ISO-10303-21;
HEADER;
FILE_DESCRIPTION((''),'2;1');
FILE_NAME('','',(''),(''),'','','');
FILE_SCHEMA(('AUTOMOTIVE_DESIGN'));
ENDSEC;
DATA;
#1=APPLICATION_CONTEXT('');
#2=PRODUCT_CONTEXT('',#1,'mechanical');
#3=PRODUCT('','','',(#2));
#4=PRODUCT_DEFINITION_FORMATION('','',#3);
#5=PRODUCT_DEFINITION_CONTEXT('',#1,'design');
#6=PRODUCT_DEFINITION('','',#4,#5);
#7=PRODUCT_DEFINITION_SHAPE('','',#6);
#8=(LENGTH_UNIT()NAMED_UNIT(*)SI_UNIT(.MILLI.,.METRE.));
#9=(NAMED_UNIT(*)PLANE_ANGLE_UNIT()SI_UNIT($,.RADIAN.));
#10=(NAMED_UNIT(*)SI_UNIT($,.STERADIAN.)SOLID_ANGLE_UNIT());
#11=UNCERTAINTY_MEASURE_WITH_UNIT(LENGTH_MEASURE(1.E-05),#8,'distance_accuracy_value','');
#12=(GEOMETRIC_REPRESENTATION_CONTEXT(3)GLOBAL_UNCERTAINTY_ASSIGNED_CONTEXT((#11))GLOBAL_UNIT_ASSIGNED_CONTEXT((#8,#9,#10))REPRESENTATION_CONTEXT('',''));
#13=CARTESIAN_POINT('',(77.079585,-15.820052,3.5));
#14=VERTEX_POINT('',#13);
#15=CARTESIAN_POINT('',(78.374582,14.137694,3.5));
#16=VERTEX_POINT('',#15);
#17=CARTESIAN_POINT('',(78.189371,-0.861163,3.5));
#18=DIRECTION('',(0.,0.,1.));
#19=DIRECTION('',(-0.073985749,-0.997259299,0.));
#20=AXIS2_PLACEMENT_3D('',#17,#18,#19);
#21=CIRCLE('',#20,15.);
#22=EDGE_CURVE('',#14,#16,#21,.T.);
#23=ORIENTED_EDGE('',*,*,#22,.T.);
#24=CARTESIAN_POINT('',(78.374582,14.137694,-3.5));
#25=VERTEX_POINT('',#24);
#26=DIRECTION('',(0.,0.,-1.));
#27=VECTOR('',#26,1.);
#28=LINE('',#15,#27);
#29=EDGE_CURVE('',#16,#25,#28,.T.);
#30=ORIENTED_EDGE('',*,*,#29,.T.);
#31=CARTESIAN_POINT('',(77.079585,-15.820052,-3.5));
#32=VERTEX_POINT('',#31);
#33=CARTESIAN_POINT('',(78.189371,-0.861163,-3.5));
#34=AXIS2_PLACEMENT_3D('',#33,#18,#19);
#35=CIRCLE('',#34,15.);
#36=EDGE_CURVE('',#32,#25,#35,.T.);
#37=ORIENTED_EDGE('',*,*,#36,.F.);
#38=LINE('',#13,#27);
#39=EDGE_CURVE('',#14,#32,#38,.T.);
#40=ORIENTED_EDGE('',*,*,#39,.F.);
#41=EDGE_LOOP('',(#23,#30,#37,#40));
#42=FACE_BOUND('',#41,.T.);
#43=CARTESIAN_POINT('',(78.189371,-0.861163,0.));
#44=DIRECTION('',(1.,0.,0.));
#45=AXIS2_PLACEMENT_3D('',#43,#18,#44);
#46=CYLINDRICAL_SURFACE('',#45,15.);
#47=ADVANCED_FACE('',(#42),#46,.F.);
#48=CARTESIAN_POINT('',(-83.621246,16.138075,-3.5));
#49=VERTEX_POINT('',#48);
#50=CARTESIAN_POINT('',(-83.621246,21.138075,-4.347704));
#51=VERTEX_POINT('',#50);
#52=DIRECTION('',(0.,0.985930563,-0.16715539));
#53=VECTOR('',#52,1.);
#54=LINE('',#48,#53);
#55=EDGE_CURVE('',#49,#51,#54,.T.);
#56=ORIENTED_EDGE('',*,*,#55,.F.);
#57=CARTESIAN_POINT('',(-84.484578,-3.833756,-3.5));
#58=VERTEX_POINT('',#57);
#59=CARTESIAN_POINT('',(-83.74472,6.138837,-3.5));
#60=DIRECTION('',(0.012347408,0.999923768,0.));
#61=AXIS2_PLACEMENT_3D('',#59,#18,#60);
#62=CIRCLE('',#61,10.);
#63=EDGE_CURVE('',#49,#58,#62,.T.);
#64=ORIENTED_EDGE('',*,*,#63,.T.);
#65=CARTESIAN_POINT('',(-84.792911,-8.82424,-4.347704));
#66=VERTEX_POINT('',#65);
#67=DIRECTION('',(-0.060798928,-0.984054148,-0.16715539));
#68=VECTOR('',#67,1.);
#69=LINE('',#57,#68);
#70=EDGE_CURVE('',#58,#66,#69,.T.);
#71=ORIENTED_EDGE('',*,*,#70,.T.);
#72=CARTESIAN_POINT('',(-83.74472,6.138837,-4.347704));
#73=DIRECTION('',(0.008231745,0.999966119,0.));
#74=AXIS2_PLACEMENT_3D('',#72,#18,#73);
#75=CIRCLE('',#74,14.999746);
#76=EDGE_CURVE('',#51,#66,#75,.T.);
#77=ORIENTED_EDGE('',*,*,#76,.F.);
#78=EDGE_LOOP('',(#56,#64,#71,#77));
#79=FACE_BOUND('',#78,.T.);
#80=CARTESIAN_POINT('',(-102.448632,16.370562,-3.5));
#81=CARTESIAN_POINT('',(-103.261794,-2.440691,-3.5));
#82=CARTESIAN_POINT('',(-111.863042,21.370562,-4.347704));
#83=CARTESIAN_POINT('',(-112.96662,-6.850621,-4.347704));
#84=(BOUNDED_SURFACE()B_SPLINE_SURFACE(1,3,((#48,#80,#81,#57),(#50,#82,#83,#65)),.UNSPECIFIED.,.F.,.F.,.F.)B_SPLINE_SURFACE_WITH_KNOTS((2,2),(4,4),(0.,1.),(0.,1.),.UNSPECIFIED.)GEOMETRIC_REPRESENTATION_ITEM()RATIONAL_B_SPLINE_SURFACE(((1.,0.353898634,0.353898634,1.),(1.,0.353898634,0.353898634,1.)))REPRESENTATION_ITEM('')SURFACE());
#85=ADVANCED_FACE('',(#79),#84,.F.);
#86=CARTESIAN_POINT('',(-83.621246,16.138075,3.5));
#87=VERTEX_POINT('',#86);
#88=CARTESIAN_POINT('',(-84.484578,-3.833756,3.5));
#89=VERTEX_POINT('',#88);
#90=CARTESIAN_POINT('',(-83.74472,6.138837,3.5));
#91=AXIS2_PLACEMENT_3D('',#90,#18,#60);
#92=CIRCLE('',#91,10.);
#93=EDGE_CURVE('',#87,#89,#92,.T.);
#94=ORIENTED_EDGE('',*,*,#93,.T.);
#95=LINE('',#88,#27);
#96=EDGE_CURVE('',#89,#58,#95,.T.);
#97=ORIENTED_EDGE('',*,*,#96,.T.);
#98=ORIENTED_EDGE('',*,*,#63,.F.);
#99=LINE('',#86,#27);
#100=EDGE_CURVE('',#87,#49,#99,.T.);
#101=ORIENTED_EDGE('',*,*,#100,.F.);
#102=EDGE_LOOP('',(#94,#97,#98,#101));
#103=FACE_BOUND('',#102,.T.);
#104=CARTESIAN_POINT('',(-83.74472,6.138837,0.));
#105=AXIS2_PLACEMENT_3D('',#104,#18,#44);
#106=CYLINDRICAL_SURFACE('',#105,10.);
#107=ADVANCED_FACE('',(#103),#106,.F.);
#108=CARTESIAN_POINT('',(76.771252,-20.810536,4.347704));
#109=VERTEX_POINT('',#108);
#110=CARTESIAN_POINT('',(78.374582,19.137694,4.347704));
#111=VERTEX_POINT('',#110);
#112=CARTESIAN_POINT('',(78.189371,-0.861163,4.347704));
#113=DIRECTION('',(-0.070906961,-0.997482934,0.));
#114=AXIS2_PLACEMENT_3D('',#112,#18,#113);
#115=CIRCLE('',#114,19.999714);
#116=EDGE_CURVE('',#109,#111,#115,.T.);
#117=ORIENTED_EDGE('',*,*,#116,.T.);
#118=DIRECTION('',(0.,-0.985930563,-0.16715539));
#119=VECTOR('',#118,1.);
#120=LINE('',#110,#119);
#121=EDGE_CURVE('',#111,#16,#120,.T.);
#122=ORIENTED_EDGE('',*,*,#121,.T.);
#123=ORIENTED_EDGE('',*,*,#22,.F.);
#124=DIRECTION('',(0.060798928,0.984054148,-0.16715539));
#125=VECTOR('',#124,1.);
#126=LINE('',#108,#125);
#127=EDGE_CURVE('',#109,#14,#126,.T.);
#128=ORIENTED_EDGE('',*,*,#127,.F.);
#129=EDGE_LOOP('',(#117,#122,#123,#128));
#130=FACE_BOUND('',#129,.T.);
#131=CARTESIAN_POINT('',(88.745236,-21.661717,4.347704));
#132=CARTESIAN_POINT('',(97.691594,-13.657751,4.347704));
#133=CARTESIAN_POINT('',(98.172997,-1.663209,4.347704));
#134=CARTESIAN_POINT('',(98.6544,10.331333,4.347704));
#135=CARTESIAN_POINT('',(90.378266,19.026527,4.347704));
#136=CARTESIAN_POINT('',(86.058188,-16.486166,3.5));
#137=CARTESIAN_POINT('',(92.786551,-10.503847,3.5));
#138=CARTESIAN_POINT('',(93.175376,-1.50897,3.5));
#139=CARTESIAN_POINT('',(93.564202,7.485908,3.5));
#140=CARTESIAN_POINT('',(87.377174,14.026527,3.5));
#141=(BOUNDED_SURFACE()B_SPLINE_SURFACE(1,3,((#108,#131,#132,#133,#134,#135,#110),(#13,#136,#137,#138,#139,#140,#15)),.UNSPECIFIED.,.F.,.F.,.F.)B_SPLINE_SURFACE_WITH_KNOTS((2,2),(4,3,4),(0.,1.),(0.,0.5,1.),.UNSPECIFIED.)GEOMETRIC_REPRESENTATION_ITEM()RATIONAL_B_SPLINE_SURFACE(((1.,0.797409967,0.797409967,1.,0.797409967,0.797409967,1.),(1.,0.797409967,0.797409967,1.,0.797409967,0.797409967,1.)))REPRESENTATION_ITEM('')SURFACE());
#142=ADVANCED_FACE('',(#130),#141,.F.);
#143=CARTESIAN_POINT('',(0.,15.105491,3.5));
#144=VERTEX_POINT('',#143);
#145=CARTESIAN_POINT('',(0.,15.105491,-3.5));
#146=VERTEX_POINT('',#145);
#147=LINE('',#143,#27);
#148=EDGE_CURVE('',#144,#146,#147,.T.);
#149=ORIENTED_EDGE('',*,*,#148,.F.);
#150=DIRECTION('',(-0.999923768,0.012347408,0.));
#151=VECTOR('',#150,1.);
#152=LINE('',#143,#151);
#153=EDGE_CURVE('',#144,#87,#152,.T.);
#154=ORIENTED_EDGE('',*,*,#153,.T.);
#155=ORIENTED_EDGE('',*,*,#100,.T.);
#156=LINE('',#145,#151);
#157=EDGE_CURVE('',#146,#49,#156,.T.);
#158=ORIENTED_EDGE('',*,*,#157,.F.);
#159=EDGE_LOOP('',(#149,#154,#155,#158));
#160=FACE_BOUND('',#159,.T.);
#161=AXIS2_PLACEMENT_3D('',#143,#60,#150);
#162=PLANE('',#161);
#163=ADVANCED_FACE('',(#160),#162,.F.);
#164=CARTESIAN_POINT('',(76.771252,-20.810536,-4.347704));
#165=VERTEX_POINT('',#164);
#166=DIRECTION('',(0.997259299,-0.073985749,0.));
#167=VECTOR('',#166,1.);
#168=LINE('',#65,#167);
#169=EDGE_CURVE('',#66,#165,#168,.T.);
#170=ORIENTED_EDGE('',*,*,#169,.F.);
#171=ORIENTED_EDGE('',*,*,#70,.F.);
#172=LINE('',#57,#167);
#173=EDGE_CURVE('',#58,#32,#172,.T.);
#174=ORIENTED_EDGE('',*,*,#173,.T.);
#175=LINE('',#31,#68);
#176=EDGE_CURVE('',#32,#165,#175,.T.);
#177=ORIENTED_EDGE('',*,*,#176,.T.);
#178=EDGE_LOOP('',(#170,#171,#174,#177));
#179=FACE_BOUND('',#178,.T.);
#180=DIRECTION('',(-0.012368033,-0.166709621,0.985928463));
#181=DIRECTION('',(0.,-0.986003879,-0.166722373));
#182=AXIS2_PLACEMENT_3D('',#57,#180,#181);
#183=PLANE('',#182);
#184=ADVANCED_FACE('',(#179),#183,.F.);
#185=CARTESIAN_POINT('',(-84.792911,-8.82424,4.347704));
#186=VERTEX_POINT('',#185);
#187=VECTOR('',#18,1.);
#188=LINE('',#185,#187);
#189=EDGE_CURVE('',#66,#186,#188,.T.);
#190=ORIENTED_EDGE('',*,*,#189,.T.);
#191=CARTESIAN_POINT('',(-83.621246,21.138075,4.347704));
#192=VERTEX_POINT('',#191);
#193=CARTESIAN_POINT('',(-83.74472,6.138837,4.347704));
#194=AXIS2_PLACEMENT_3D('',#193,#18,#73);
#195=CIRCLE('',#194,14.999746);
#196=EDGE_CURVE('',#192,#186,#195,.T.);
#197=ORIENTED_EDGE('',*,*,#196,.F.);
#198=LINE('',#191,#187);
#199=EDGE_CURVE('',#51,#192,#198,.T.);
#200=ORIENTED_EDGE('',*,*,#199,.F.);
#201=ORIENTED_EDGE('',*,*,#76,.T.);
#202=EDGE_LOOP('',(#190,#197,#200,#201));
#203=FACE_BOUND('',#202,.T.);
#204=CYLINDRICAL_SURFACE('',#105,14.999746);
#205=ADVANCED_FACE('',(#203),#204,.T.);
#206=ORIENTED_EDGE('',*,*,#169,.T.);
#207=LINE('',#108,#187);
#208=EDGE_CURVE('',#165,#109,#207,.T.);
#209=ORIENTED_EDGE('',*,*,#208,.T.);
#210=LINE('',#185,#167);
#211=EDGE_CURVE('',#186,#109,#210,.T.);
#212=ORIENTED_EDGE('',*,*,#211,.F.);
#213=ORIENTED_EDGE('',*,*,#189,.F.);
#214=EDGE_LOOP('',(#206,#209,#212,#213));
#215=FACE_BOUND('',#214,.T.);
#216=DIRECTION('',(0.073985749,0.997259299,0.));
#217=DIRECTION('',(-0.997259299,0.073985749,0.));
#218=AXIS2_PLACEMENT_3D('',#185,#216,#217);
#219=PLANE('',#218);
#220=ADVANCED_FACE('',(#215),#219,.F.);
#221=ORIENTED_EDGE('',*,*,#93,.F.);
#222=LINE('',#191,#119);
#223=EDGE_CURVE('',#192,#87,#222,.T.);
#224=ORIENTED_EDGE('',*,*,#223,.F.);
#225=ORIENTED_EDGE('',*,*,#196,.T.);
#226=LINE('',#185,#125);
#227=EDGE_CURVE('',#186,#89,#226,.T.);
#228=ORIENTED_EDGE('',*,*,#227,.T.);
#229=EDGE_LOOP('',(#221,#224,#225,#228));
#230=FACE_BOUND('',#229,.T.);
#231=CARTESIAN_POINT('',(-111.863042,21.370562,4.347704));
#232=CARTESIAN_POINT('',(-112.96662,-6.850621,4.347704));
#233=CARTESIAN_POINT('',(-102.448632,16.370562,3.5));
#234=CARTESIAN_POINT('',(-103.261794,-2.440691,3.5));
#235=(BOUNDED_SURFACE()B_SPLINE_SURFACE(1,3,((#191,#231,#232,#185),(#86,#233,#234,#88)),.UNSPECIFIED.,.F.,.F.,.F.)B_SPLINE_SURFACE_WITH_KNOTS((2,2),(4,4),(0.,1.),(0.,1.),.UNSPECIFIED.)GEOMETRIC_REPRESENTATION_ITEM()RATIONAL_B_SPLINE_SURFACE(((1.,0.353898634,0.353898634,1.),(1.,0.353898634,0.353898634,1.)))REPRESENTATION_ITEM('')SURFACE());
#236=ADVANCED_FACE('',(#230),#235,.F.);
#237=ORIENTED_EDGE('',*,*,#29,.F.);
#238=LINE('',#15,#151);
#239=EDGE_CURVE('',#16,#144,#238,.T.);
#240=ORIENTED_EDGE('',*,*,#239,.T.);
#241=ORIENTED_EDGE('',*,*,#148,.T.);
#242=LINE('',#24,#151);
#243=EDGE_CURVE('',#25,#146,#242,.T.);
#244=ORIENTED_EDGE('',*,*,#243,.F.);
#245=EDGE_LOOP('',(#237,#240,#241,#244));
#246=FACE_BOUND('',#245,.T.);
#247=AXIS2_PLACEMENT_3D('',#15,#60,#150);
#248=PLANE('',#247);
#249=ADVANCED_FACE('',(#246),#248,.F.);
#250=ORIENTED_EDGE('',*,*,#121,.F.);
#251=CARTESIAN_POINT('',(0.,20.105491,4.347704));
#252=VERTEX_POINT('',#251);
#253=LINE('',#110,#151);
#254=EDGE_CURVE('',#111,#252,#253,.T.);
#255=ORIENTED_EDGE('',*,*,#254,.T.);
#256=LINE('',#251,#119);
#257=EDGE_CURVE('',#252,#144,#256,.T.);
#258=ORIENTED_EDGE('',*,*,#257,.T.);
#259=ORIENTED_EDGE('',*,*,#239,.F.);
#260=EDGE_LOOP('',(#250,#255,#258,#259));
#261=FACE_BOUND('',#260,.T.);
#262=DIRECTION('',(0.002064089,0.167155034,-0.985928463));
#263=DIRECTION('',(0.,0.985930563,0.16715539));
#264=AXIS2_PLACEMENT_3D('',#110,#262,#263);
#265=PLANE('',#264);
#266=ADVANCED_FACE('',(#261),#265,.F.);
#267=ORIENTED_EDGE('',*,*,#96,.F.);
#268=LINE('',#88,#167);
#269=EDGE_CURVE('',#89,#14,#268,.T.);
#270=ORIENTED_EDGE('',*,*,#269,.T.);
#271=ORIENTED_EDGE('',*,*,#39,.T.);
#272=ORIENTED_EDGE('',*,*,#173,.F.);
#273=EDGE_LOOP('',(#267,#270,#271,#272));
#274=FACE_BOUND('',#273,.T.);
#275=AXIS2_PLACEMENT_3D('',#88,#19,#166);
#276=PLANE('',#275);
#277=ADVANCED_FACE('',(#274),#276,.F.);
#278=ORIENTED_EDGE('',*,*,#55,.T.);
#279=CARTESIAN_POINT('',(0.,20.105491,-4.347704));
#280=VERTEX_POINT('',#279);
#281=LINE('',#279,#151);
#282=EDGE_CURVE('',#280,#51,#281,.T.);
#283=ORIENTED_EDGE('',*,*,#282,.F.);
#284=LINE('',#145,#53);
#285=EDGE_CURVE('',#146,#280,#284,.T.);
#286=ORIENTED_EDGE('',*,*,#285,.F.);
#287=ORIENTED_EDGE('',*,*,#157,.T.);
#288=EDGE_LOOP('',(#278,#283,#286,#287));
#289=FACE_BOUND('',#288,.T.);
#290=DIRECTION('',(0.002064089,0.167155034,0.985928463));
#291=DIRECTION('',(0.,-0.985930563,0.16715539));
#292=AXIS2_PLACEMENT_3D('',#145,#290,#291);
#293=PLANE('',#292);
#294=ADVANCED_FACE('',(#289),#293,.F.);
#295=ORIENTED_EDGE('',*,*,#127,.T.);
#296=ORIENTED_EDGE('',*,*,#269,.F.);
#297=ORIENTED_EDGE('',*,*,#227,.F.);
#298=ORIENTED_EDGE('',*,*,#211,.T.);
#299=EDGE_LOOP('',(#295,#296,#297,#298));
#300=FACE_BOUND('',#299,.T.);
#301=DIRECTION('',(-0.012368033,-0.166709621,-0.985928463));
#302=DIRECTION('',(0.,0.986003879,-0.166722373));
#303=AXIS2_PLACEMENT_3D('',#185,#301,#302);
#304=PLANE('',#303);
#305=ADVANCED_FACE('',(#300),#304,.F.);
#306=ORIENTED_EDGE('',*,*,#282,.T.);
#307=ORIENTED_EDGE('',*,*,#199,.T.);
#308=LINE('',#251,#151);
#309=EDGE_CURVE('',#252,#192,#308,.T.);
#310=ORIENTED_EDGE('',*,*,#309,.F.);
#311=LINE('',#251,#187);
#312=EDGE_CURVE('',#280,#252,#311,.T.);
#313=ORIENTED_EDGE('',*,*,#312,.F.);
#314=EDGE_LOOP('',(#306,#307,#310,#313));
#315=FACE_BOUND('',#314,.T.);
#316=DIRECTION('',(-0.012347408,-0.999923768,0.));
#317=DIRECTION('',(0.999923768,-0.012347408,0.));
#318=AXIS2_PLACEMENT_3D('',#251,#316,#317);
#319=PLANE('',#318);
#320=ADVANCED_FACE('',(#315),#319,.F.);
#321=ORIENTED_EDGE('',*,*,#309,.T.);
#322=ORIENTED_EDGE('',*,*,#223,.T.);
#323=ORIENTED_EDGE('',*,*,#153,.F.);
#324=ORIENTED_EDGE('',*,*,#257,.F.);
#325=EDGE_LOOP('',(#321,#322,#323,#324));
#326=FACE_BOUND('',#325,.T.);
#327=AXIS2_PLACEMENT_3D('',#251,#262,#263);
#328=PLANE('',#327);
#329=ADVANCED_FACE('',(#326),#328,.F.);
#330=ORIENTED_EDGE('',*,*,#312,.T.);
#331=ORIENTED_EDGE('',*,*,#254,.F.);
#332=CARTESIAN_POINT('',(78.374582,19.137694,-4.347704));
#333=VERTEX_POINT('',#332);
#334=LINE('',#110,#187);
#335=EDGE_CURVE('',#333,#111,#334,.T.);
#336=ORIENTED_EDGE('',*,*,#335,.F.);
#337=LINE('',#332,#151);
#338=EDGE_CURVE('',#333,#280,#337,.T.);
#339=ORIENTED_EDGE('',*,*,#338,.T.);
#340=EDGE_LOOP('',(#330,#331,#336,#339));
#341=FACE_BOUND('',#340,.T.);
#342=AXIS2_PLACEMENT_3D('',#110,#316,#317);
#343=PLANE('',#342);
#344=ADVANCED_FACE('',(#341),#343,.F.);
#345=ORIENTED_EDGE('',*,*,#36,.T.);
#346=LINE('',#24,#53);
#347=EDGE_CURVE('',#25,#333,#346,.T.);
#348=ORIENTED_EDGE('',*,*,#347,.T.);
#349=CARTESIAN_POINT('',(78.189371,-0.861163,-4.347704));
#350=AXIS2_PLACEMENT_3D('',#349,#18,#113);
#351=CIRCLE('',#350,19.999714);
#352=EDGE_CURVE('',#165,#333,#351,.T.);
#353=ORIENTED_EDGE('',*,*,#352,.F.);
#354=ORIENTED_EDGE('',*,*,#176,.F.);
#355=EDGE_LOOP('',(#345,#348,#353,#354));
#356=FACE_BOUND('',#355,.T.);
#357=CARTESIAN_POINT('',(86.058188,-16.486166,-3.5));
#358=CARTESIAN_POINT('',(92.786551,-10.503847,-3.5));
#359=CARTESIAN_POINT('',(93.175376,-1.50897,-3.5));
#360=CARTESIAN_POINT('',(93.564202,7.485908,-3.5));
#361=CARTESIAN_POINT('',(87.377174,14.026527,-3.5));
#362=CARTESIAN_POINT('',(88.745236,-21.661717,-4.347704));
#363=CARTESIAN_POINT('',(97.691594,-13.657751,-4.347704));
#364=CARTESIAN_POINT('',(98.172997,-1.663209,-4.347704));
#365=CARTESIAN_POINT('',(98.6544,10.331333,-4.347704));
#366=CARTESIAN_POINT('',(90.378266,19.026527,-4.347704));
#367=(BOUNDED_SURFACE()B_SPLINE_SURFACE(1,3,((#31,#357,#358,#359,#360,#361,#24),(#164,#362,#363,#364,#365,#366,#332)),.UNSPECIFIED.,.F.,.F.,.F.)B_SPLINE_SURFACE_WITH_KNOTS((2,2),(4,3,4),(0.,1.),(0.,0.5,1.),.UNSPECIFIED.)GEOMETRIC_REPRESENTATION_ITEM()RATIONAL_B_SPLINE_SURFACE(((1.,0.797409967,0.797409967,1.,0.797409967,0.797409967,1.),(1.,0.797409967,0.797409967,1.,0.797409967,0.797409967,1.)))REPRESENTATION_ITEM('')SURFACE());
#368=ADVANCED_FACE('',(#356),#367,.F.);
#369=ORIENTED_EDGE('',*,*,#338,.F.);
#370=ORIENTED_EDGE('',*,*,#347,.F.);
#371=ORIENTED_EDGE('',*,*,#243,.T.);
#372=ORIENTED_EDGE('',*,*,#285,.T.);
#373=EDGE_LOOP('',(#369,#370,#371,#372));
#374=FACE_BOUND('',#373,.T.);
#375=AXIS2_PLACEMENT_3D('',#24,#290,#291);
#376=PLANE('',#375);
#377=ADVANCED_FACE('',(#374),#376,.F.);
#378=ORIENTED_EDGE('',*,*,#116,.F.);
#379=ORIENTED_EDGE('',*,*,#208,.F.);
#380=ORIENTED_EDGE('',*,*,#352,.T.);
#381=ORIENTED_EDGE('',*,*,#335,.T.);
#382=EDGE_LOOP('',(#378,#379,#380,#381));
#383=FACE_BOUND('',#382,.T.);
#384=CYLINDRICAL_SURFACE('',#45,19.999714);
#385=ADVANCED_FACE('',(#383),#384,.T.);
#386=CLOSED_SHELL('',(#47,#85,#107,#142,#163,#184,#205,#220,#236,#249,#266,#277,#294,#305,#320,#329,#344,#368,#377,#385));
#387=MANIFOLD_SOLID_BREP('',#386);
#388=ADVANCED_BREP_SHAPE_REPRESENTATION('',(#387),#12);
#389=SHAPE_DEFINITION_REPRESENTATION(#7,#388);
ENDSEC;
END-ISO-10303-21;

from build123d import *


with BuildPart() as part:
    # Sweep1: sweep along a path in Sketch1
    with BuildLine(Plane.XY) as sweep1_path:
        Line((-83.621246373, 16.138074953), (78.374582486, 14.137693792))
        ThreePointArc((78.374582486, 14.137693792), (93.175376367, -1.508969706), (77.079585122, -15.820052206))
        Line((77.079585122, -15.820052206), (-84.484577949, -3.833755713))
        ThreePointArc((-84.484577949, -3.833755713), (-93.735390463, 6.570708595), (-83.621246373, 16.138074953))
    # Sketch2 → Sweep1 (sweep)
    with BuildSketch(Plane(origin=(0, 0, 0), x_dir=(0, 0, -1), z_dir=(1, 0, 0))):
        Polygon((-3.5, 15.105490552), (3.5, 15.105490552), (4.347703666, 20.105490552), (-4.347703666, 20.105490552), align=None)
    sweep(path=sweep1_path.line)


solid = part.part
